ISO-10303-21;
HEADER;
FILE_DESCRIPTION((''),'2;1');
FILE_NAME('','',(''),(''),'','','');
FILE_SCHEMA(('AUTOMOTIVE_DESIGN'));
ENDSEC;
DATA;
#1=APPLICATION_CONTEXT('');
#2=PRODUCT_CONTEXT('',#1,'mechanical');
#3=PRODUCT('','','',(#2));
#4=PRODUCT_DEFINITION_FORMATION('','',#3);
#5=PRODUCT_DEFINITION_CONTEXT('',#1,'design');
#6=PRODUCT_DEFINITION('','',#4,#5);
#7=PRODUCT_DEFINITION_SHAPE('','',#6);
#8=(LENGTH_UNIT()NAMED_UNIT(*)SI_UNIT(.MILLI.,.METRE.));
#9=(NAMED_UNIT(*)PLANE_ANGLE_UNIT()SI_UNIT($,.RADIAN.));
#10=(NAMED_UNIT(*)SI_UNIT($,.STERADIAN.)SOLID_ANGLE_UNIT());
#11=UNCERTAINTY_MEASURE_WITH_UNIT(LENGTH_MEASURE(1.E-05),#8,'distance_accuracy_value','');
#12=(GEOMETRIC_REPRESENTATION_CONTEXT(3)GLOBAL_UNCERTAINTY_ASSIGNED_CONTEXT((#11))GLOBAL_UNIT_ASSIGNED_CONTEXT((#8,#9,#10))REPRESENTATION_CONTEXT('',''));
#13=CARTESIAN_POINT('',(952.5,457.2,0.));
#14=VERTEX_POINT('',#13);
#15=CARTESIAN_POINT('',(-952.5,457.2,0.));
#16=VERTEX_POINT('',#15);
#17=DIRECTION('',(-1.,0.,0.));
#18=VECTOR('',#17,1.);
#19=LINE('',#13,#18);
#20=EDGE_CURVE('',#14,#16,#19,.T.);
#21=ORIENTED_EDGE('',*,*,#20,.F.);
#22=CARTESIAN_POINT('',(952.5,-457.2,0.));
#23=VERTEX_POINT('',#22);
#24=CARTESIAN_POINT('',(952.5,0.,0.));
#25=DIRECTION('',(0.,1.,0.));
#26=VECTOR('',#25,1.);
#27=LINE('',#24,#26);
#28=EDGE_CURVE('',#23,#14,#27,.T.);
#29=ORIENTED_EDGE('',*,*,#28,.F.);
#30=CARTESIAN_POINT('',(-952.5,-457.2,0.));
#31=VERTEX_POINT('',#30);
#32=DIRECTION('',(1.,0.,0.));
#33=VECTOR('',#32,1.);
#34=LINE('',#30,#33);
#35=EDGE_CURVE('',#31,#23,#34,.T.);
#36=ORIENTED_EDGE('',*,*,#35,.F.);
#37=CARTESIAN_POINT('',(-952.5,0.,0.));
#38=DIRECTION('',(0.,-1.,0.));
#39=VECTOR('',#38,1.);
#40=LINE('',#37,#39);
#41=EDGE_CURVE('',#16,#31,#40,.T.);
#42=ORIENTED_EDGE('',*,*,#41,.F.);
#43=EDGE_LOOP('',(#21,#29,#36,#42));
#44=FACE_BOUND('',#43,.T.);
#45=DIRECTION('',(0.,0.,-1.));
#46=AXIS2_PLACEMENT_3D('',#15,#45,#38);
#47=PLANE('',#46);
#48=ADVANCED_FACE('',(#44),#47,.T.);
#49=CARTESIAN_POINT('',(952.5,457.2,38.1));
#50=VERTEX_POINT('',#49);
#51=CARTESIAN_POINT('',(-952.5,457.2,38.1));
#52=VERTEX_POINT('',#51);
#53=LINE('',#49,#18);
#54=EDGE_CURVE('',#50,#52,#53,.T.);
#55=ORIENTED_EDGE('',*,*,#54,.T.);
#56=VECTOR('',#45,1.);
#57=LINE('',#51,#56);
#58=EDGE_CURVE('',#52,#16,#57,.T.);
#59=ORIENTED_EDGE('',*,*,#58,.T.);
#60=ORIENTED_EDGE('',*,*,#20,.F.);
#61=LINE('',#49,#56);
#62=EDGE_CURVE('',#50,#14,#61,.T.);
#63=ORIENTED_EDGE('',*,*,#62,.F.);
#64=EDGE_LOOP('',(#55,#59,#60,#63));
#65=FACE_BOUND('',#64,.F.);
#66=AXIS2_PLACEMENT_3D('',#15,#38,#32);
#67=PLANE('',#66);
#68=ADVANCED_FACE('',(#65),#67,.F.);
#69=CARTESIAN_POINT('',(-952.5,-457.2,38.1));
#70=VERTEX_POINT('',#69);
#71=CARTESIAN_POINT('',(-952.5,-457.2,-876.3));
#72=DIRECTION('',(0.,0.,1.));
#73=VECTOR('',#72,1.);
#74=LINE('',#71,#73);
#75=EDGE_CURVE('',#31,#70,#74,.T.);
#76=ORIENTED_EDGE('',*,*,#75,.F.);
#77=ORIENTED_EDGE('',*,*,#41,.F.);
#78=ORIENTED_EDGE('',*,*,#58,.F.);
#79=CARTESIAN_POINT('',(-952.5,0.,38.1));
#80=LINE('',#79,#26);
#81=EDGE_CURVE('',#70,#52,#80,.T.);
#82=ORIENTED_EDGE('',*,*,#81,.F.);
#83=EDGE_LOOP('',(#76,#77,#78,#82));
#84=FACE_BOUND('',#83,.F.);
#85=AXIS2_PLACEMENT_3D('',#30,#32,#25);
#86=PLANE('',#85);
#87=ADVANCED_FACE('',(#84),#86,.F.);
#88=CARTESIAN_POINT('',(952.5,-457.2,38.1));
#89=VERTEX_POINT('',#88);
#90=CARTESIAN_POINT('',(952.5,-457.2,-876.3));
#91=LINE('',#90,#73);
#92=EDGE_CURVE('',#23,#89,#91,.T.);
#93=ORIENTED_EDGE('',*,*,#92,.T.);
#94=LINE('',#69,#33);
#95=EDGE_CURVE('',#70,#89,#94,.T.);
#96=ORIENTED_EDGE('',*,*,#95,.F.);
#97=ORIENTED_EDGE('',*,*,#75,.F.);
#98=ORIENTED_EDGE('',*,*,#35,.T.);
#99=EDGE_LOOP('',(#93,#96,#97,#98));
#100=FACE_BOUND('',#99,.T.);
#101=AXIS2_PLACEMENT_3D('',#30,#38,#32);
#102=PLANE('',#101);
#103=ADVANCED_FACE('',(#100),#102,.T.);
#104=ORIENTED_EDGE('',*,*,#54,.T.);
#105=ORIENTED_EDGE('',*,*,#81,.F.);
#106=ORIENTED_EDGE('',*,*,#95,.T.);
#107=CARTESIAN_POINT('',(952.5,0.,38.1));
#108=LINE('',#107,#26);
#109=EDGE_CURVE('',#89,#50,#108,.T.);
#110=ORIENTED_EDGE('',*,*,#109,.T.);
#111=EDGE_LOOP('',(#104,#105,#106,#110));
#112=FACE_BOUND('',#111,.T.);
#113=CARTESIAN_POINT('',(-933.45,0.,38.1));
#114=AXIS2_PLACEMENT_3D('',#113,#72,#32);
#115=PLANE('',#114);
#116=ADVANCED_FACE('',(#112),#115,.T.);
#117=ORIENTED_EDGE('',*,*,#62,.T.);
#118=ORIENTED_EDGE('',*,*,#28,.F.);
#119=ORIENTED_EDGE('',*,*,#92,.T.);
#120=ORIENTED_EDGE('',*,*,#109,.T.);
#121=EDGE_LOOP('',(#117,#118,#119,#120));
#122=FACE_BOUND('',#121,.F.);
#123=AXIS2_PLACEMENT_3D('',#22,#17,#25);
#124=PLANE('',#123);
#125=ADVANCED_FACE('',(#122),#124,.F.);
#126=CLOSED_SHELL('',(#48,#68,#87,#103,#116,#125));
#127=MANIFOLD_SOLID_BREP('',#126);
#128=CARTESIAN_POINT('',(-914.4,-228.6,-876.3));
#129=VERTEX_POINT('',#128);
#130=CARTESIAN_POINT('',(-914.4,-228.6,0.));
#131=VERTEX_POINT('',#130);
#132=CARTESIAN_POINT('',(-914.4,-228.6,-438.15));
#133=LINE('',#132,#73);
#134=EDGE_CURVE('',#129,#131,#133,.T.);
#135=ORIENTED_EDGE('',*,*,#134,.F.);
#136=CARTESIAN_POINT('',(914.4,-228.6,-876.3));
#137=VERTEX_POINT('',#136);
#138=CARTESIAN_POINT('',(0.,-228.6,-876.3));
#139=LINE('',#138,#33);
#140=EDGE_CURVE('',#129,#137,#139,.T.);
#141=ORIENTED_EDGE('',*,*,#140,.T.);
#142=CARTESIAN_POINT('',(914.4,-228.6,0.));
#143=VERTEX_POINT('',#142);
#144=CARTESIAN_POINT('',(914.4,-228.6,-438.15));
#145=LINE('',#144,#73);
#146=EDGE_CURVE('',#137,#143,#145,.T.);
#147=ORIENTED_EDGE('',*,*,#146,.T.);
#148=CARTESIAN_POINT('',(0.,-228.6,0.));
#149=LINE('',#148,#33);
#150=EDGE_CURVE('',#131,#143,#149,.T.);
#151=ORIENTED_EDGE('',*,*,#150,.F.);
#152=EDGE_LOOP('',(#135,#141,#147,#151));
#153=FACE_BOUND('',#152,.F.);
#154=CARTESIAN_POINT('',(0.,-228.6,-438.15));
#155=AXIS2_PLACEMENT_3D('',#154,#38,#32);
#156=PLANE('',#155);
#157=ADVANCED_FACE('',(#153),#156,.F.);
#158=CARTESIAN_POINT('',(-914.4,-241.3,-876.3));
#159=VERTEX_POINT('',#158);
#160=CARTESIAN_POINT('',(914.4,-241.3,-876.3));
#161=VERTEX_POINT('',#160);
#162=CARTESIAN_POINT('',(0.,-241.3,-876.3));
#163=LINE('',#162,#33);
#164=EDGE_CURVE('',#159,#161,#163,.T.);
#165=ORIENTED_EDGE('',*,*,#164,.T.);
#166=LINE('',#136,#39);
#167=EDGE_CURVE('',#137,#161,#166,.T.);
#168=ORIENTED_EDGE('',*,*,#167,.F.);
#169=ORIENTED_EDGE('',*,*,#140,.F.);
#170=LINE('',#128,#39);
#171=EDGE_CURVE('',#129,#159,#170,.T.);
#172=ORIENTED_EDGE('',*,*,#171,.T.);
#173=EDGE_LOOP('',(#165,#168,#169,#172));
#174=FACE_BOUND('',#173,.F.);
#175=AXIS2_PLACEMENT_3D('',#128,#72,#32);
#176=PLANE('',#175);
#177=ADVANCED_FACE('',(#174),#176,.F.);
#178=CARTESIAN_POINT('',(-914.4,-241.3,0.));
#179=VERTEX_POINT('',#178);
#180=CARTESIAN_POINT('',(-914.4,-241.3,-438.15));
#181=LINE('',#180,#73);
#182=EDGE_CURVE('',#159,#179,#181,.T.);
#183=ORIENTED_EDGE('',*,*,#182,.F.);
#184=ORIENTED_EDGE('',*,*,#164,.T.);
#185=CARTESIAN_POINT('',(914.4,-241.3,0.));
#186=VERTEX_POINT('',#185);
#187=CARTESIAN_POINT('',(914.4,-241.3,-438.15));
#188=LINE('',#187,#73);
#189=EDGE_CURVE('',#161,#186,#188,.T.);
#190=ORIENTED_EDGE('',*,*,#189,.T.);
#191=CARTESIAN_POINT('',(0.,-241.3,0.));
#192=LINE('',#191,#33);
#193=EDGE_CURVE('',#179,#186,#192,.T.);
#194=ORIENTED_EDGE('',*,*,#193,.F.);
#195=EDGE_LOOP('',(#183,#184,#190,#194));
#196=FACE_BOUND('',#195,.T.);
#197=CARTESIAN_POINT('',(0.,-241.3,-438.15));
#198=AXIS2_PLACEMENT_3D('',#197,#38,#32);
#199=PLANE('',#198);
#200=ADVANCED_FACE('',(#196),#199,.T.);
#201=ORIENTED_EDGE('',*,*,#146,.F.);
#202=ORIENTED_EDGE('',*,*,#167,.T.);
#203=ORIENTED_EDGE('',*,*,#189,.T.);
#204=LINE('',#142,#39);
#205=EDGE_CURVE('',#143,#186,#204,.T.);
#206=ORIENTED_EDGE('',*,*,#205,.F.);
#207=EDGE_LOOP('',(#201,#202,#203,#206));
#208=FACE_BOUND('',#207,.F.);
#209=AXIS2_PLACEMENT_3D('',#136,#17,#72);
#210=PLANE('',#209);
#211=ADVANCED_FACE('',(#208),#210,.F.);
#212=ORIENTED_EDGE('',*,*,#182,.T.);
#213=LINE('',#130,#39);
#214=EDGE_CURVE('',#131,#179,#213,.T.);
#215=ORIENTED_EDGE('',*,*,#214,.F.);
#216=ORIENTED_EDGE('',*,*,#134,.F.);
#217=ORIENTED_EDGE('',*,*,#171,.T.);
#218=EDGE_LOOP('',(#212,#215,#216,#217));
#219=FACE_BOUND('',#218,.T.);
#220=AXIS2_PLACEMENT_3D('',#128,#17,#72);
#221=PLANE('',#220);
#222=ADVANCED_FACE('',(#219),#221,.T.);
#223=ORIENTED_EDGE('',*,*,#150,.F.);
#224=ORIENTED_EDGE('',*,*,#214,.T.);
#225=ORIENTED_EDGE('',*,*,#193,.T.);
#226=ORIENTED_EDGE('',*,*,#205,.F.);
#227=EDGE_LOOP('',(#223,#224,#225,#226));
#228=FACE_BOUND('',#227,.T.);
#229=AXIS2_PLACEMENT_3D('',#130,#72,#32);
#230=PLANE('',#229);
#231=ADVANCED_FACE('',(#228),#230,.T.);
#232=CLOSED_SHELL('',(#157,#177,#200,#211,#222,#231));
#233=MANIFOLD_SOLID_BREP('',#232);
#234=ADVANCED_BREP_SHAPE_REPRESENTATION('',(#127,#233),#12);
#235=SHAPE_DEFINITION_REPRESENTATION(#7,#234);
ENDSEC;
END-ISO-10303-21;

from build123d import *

# Parameters (mm, degrees)
F0_W     = 38.1
F0_H     = 914.4
F0_W_2   = 1828.8
F1_DEPTH = 38.1
F2_DEPTH = 876.3
F4_W     = 1828.8
F4_H     = 876.3
F5_DEPTH = 12.7
F6_W     = 914.4
F6_H     = 876.3
F7_DEPTH = 38.1
F8_W     = 914.4
F8_H     = 876.3
F9_DEPTH = 38.1


with BuildPart() as f1:
    # F0 (on Top) → F1 (new body)
    with BuildSketch(Plane.XY):
        with Locations((-933.45, 0)):
            Rectangle(F0_W, F0_H)
        Rectangle(F0_W_2, F0_H)
        with Locations((933.45, 0)):
            Rectangle(F0_W, F0_H)
    extrude(amount=F1_DEPTH)

    # F0 (on Top) → F2 (join)
    with BuildSketch(Plane.XY):
        with Locations((-933.45, 0)):
            Rectangle(F0_W, F0_H)
        with Locations((933.45, 0)):
            Rectangle(F0_W, F0_H)
    extrude(amount=-F2_DEPTH)

    # F6 (on face) → F7 (cut)
    with BuildSketch(Plane.YZ.offset(952.5)):
        with Locations((0, -438.15)):
            Rectangle(F6_W, F6_H)
    extrude(amount=-F7_DEPTH, mode=Mode.SUBTRACT)

    # F8 (on face) → F9 (cut)
    with BuildSketch(Plane(origin=(-952.5, 0, 0), x_dir=(0, -1, 0), z_dir=(-1, 0, 0))):
        with Locations((0, -438.15)):
            Rectangle(F8_W, F8_H)
    extrude(amount=-F9_DEPTH, mode=Mode.SUBTRACT)


with BuildPart() as f5:
    # F4 (on offset) → F5 (new body)
    with BuildSketch(Plane.XZ.offset(228.6)):
        with Locations((0, -438.15)):
            Rectangle(F4_W, F4_H)
    extrude(amount=F5_DEPTH)


solid = Compound([f1.part, f5.part])
